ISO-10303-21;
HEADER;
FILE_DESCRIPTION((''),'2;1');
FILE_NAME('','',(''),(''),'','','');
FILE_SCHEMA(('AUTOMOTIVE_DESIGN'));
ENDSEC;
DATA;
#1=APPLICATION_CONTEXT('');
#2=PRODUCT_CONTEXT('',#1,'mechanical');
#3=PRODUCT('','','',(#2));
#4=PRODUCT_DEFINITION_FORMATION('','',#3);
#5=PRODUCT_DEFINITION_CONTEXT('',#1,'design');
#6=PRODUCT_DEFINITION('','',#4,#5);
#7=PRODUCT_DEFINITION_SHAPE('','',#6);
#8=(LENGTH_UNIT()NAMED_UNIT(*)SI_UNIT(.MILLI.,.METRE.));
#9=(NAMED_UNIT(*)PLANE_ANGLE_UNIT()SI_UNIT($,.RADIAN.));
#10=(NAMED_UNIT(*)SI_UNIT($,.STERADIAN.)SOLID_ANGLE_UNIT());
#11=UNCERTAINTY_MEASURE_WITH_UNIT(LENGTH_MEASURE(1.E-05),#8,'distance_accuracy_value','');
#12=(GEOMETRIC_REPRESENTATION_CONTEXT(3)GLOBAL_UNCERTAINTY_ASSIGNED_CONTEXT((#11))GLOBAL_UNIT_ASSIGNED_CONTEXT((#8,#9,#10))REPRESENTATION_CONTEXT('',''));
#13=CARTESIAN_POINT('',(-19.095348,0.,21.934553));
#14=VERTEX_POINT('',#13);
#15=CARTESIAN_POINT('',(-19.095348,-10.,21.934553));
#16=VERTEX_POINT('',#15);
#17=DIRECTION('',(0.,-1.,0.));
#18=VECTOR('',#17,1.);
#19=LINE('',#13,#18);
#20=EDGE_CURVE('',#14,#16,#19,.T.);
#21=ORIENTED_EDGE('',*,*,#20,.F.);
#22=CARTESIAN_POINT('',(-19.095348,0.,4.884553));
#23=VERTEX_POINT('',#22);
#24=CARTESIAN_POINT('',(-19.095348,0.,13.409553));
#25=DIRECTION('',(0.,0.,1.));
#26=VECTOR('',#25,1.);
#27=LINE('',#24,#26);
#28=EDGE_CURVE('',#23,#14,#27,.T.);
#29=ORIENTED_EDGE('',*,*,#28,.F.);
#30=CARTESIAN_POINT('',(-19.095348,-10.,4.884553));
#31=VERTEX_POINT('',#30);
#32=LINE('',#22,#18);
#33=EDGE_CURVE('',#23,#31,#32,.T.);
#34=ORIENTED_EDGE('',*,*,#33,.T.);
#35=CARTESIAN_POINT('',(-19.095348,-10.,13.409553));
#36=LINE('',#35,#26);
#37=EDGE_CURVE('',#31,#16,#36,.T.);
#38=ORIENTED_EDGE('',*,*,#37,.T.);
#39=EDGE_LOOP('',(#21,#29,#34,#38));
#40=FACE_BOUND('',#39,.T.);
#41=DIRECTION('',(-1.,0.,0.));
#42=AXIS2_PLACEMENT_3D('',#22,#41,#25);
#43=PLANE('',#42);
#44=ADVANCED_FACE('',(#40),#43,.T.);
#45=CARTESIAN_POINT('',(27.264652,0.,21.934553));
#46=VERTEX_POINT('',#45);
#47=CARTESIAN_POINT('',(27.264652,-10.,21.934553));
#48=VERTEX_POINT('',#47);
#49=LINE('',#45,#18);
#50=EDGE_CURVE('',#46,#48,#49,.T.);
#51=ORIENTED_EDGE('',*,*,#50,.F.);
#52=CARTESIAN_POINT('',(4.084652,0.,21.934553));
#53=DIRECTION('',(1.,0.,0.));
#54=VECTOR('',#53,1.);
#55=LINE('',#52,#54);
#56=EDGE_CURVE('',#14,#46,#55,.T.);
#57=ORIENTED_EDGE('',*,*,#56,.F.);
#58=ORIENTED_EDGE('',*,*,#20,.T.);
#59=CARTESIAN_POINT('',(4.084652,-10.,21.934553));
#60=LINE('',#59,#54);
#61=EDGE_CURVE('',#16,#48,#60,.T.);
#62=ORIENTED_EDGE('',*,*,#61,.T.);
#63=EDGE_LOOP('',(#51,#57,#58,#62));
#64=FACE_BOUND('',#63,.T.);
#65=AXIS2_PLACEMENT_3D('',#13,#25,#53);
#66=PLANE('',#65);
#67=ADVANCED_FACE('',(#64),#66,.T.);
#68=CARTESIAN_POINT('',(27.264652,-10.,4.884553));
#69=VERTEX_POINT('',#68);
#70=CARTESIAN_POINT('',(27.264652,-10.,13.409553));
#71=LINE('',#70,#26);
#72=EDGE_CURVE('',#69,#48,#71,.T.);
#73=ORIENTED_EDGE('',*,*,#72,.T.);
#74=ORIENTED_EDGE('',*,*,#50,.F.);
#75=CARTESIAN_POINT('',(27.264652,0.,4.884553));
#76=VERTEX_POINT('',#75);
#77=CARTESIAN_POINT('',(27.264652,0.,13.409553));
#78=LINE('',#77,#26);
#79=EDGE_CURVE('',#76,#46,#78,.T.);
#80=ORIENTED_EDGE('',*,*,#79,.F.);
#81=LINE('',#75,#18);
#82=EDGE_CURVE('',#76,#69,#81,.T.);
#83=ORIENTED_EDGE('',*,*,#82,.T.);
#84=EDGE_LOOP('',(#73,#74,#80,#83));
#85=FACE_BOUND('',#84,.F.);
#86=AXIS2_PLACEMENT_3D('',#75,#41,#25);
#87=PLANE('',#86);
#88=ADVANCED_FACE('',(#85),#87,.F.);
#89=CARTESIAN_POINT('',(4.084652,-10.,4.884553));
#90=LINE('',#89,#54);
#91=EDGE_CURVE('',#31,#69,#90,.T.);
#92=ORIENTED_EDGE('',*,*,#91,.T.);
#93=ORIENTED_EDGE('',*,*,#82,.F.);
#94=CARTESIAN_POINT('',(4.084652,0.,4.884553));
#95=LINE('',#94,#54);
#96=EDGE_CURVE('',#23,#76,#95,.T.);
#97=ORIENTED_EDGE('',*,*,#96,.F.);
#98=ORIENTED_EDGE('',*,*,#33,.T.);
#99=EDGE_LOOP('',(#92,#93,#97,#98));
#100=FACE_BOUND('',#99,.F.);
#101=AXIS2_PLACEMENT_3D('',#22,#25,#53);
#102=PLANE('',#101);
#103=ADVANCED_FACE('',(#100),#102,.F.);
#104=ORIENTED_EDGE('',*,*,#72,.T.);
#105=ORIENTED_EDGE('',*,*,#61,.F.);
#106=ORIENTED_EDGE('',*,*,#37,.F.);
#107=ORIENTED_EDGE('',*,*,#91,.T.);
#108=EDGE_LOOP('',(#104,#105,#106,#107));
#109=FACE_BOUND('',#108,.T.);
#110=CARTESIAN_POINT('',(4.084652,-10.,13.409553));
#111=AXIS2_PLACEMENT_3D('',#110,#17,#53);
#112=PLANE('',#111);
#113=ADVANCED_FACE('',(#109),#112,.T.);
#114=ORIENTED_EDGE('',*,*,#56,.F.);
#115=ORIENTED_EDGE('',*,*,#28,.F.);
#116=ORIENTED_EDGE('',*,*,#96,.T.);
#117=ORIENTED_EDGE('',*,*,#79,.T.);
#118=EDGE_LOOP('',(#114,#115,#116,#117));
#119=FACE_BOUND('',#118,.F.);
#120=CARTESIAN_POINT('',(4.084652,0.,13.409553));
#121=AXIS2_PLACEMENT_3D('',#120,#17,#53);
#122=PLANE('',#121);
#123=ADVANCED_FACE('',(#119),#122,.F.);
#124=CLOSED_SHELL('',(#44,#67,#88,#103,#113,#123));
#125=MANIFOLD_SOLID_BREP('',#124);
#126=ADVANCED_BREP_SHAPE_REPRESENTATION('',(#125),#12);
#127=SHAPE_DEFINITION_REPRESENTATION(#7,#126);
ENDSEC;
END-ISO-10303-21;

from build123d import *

# Parameters (mm, degrees)
SKETCH_W  = 46.36
SKETCH_H  = 17.05
PAD_DEPTH = 10


with BuildPart() as part:
    # Sketch → Pad (new body)
    with BuildSketch(Plane.XZ):
        with Locations((4.084652, 13.409553)):
            Rectangle(SKETCH_W, SKETCH_H)
    extrude(amount=PAD_DEPTH)


solid = part.part
